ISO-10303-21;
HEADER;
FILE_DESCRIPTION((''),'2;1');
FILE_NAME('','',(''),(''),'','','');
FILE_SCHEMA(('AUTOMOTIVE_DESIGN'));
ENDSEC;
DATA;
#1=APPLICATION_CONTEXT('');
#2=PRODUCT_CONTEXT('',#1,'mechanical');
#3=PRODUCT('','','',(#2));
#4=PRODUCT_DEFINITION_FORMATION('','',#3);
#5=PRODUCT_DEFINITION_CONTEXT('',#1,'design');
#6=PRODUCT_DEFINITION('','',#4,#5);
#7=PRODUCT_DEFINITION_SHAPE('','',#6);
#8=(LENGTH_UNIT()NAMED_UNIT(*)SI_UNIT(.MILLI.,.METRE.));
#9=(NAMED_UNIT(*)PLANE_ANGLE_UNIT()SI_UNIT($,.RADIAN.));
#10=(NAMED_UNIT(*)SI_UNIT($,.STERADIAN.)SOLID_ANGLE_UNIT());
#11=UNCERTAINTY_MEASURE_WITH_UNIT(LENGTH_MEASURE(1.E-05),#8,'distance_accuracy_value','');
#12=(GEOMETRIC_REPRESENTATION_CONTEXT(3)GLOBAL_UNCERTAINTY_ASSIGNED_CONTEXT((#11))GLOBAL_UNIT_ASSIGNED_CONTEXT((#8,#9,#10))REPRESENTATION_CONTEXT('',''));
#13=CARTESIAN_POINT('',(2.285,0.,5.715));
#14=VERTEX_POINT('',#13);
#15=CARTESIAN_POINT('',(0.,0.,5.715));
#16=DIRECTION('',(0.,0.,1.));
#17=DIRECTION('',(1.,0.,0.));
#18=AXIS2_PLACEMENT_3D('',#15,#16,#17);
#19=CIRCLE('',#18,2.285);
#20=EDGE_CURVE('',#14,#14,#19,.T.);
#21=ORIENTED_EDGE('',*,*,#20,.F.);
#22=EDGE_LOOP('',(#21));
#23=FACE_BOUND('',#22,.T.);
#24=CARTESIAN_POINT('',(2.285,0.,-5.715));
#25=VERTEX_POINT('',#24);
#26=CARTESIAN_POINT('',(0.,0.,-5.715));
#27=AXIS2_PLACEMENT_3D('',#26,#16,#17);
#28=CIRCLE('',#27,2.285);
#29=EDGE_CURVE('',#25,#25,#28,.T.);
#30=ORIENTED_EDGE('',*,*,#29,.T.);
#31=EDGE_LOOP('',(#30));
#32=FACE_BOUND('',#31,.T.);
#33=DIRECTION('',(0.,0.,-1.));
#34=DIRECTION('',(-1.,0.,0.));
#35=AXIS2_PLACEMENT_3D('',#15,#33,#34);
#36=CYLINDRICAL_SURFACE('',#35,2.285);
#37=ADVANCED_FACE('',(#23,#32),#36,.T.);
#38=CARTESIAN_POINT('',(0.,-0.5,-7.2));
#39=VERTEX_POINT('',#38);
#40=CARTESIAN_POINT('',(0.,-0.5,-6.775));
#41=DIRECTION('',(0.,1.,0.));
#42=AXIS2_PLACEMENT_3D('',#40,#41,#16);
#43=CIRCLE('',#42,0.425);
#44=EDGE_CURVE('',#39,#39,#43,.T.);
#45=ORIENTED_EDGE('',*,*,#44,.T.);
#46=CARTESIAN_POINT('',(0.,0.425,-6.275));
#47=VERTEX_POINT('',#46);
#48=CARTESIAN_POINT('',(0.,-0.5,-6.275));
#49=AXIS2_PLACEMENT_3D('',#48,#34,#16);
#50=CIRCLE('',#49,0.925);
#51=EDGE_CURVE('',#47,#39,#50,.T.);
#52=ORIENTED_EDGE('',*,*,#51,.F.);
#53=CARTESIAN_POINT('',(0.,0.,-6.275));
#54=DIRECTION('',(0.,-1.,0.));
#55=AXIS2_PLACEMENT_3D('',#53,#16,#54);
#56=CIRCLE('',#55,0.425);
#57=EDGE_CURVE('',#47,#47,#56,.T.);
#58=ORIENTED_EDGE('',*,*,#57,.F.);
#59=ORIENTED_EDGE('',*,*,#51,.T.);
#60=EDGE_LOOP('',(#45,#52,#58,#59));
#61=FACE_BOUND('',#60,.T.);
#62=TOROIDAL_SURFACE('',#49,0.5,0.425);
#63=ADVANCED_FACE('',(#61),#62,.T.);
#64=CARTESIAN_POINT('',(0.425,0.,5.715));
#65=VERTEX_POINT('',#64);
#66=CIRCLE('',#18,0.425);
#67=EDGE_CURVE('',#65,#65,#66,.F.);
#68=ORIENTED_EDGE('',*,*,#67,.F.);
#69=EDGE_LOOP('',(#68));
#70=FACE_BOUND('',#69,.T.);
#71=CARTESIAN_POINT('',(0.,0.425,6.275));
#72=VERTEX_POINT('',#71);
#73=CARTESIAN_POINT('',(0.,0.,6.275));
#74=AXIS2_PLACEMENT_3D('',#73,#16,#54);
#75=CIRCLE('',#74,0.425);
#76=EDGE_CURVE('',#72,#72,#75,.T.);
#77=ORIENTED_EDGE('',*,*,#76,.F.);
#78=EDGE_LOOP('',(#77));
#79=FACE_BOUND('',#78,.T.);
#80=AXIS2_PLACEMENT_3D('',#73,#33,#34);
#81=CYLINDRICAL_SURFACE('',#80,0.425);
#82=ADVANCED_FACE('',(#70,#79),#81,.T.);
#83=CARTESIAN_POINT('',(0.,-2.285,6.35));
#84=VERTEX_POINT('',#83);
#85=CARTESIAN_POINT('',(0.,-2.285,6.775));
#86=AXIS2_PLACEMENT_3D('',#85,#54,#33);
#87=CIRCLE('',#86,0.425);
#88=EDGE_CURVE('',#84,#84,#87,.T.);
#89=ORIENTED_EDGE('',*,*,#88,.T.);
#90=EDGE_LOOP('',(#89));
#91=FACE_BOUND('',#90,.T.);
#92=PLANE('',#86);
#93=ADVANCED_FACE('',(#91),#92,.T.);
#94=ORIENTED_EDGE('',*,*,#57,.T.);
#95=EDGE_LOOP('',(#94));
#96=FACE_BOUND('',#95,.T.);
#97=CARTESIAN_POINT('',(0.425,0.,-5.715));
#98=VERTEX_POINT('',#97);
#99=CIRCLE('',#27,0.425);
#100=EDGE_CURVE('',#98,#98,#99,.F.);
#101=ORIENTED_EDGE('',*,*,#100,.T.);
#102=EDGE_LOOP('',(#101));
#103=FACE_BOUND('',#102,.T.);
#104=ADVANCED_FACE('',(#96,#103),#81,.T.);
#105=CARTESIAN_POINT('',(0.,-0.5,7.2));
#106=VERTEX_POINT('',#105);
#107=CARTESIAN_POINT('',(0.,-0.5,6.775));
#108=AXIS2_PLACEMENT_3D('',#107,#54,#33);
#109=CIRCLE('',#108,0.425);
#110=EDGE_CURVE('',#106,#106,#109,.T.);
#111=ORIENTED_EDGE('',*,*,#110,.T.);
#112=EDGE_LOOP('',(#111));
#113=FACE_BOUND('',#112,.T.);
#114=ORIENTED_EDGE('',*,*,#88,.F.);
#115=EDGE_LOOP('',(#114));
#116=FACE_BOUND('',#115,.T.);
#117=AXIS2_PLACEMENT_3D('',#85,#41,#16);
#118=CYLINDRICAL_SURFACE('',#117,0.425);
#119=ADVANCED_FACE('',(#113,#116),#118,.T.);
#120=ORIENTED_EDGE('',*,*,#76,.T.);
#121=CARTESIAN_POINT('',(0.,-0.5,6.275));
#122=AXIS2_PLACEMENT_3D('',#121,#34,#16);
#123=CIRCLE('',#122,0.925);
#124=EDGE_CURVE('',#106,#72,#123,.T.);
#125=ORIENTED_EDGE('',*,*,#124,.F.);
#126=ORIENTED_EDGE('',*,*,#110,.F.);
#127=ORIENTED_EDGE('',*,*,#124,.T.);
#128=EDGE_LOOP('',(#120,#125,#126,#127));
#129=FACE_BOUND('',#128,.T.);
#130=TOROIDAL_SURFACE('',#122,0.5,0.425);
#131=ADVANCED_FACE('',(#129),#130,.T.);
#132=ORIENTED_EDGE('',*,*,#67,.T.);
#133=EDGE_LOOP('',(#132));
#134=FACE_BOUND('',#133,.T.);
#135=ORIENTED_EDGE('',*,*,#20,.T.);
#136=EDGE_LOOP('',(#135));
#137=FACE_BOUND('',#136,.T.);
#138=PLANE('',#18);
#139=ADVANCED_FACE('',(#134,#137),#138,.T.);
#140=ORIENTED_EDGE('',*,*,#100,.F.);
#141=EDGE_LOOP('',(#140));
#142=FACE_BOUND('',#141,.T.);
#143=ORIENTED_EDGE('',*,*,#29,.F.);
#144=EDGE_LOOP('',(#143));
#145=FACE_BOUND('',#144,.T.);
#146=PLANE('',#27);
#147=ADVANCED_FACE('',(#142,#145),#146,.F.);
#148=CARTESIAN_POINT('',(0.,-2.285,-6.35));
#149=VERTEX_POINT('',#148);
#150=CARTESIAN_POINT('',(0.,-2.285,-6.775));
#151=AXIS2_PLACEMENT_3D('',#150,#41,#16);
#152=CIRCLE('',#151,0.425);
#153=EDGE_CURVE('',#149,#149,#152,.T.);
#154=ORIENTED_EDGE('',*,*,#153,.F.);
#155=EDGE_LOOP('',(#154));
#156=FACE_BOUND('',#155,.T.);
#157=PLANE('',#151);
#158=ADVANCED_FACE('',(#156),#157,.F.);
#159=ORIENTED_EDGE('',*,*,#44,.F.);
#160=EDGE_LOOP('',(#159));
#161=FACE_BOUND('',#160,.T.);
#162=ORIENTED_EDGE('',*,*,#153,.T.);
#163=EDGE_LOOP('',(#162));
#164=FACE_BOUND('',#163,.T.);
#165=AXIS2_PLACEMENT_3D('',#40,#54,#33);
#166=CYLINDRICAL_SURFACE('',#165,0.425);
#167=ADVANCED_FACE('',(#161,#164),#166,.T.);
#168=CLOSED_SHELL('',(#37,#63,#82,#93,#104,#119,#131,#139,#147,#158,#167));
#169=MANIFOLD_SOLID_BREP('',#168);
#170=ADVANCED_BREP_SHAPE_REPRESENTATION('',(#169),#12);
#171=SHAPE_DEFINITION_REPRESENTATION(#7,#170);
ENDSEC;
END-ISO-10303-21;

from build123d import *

# Parameters (mm, degrees)
SKETCH1_R           = 2.285
BOSS_EXTRUDE1_DEPTH = 5.715
SWEEP1_PROFILE_R    = 0.425


with BuildPart() as part:
    # Sketch1 → Boss-Extrude1 (new, symmetric)
    with BuildSketch(Plane.XY):
        Circle(SKETCH1_R)
    extrude(amount=BOSS_EXTRUDE1_DEPTH, both=True)

    # Sweep1: sweep along a path in Sketch2
    with BuildLine(Plane(origin=(0, 0, 0), x_dir=(0, 0, -1), z_dir=(1, 0, 0))) as sweep1_path:
        Line((-6.775, -2.285), (-6.775, -0.5))
        ThreePointArc((-6.775, -0.5), (-6.628553391, -0.146446609), (-6.275, 0))
        Line((-6.275, 0), (6.275, 0))
        ThreePointArc((6.275, 0), (6.628553391, -0.146446609), (6.775, -0.5))
        Line((6.775, -0.5), (6.775, -2.285))
    # Sweep1 profile (on start of the path) → Sweep1 (sweep)
    with BuildSketch(Plane(origin=(0, -2.285, 6.775), x_dir=(0, 0, 1), z_dir=(0, 1, 0))):
        Circle(SWEEP1_PROFILE_R)
    sweep(path=sweep1_path.line)


solid = part.part
